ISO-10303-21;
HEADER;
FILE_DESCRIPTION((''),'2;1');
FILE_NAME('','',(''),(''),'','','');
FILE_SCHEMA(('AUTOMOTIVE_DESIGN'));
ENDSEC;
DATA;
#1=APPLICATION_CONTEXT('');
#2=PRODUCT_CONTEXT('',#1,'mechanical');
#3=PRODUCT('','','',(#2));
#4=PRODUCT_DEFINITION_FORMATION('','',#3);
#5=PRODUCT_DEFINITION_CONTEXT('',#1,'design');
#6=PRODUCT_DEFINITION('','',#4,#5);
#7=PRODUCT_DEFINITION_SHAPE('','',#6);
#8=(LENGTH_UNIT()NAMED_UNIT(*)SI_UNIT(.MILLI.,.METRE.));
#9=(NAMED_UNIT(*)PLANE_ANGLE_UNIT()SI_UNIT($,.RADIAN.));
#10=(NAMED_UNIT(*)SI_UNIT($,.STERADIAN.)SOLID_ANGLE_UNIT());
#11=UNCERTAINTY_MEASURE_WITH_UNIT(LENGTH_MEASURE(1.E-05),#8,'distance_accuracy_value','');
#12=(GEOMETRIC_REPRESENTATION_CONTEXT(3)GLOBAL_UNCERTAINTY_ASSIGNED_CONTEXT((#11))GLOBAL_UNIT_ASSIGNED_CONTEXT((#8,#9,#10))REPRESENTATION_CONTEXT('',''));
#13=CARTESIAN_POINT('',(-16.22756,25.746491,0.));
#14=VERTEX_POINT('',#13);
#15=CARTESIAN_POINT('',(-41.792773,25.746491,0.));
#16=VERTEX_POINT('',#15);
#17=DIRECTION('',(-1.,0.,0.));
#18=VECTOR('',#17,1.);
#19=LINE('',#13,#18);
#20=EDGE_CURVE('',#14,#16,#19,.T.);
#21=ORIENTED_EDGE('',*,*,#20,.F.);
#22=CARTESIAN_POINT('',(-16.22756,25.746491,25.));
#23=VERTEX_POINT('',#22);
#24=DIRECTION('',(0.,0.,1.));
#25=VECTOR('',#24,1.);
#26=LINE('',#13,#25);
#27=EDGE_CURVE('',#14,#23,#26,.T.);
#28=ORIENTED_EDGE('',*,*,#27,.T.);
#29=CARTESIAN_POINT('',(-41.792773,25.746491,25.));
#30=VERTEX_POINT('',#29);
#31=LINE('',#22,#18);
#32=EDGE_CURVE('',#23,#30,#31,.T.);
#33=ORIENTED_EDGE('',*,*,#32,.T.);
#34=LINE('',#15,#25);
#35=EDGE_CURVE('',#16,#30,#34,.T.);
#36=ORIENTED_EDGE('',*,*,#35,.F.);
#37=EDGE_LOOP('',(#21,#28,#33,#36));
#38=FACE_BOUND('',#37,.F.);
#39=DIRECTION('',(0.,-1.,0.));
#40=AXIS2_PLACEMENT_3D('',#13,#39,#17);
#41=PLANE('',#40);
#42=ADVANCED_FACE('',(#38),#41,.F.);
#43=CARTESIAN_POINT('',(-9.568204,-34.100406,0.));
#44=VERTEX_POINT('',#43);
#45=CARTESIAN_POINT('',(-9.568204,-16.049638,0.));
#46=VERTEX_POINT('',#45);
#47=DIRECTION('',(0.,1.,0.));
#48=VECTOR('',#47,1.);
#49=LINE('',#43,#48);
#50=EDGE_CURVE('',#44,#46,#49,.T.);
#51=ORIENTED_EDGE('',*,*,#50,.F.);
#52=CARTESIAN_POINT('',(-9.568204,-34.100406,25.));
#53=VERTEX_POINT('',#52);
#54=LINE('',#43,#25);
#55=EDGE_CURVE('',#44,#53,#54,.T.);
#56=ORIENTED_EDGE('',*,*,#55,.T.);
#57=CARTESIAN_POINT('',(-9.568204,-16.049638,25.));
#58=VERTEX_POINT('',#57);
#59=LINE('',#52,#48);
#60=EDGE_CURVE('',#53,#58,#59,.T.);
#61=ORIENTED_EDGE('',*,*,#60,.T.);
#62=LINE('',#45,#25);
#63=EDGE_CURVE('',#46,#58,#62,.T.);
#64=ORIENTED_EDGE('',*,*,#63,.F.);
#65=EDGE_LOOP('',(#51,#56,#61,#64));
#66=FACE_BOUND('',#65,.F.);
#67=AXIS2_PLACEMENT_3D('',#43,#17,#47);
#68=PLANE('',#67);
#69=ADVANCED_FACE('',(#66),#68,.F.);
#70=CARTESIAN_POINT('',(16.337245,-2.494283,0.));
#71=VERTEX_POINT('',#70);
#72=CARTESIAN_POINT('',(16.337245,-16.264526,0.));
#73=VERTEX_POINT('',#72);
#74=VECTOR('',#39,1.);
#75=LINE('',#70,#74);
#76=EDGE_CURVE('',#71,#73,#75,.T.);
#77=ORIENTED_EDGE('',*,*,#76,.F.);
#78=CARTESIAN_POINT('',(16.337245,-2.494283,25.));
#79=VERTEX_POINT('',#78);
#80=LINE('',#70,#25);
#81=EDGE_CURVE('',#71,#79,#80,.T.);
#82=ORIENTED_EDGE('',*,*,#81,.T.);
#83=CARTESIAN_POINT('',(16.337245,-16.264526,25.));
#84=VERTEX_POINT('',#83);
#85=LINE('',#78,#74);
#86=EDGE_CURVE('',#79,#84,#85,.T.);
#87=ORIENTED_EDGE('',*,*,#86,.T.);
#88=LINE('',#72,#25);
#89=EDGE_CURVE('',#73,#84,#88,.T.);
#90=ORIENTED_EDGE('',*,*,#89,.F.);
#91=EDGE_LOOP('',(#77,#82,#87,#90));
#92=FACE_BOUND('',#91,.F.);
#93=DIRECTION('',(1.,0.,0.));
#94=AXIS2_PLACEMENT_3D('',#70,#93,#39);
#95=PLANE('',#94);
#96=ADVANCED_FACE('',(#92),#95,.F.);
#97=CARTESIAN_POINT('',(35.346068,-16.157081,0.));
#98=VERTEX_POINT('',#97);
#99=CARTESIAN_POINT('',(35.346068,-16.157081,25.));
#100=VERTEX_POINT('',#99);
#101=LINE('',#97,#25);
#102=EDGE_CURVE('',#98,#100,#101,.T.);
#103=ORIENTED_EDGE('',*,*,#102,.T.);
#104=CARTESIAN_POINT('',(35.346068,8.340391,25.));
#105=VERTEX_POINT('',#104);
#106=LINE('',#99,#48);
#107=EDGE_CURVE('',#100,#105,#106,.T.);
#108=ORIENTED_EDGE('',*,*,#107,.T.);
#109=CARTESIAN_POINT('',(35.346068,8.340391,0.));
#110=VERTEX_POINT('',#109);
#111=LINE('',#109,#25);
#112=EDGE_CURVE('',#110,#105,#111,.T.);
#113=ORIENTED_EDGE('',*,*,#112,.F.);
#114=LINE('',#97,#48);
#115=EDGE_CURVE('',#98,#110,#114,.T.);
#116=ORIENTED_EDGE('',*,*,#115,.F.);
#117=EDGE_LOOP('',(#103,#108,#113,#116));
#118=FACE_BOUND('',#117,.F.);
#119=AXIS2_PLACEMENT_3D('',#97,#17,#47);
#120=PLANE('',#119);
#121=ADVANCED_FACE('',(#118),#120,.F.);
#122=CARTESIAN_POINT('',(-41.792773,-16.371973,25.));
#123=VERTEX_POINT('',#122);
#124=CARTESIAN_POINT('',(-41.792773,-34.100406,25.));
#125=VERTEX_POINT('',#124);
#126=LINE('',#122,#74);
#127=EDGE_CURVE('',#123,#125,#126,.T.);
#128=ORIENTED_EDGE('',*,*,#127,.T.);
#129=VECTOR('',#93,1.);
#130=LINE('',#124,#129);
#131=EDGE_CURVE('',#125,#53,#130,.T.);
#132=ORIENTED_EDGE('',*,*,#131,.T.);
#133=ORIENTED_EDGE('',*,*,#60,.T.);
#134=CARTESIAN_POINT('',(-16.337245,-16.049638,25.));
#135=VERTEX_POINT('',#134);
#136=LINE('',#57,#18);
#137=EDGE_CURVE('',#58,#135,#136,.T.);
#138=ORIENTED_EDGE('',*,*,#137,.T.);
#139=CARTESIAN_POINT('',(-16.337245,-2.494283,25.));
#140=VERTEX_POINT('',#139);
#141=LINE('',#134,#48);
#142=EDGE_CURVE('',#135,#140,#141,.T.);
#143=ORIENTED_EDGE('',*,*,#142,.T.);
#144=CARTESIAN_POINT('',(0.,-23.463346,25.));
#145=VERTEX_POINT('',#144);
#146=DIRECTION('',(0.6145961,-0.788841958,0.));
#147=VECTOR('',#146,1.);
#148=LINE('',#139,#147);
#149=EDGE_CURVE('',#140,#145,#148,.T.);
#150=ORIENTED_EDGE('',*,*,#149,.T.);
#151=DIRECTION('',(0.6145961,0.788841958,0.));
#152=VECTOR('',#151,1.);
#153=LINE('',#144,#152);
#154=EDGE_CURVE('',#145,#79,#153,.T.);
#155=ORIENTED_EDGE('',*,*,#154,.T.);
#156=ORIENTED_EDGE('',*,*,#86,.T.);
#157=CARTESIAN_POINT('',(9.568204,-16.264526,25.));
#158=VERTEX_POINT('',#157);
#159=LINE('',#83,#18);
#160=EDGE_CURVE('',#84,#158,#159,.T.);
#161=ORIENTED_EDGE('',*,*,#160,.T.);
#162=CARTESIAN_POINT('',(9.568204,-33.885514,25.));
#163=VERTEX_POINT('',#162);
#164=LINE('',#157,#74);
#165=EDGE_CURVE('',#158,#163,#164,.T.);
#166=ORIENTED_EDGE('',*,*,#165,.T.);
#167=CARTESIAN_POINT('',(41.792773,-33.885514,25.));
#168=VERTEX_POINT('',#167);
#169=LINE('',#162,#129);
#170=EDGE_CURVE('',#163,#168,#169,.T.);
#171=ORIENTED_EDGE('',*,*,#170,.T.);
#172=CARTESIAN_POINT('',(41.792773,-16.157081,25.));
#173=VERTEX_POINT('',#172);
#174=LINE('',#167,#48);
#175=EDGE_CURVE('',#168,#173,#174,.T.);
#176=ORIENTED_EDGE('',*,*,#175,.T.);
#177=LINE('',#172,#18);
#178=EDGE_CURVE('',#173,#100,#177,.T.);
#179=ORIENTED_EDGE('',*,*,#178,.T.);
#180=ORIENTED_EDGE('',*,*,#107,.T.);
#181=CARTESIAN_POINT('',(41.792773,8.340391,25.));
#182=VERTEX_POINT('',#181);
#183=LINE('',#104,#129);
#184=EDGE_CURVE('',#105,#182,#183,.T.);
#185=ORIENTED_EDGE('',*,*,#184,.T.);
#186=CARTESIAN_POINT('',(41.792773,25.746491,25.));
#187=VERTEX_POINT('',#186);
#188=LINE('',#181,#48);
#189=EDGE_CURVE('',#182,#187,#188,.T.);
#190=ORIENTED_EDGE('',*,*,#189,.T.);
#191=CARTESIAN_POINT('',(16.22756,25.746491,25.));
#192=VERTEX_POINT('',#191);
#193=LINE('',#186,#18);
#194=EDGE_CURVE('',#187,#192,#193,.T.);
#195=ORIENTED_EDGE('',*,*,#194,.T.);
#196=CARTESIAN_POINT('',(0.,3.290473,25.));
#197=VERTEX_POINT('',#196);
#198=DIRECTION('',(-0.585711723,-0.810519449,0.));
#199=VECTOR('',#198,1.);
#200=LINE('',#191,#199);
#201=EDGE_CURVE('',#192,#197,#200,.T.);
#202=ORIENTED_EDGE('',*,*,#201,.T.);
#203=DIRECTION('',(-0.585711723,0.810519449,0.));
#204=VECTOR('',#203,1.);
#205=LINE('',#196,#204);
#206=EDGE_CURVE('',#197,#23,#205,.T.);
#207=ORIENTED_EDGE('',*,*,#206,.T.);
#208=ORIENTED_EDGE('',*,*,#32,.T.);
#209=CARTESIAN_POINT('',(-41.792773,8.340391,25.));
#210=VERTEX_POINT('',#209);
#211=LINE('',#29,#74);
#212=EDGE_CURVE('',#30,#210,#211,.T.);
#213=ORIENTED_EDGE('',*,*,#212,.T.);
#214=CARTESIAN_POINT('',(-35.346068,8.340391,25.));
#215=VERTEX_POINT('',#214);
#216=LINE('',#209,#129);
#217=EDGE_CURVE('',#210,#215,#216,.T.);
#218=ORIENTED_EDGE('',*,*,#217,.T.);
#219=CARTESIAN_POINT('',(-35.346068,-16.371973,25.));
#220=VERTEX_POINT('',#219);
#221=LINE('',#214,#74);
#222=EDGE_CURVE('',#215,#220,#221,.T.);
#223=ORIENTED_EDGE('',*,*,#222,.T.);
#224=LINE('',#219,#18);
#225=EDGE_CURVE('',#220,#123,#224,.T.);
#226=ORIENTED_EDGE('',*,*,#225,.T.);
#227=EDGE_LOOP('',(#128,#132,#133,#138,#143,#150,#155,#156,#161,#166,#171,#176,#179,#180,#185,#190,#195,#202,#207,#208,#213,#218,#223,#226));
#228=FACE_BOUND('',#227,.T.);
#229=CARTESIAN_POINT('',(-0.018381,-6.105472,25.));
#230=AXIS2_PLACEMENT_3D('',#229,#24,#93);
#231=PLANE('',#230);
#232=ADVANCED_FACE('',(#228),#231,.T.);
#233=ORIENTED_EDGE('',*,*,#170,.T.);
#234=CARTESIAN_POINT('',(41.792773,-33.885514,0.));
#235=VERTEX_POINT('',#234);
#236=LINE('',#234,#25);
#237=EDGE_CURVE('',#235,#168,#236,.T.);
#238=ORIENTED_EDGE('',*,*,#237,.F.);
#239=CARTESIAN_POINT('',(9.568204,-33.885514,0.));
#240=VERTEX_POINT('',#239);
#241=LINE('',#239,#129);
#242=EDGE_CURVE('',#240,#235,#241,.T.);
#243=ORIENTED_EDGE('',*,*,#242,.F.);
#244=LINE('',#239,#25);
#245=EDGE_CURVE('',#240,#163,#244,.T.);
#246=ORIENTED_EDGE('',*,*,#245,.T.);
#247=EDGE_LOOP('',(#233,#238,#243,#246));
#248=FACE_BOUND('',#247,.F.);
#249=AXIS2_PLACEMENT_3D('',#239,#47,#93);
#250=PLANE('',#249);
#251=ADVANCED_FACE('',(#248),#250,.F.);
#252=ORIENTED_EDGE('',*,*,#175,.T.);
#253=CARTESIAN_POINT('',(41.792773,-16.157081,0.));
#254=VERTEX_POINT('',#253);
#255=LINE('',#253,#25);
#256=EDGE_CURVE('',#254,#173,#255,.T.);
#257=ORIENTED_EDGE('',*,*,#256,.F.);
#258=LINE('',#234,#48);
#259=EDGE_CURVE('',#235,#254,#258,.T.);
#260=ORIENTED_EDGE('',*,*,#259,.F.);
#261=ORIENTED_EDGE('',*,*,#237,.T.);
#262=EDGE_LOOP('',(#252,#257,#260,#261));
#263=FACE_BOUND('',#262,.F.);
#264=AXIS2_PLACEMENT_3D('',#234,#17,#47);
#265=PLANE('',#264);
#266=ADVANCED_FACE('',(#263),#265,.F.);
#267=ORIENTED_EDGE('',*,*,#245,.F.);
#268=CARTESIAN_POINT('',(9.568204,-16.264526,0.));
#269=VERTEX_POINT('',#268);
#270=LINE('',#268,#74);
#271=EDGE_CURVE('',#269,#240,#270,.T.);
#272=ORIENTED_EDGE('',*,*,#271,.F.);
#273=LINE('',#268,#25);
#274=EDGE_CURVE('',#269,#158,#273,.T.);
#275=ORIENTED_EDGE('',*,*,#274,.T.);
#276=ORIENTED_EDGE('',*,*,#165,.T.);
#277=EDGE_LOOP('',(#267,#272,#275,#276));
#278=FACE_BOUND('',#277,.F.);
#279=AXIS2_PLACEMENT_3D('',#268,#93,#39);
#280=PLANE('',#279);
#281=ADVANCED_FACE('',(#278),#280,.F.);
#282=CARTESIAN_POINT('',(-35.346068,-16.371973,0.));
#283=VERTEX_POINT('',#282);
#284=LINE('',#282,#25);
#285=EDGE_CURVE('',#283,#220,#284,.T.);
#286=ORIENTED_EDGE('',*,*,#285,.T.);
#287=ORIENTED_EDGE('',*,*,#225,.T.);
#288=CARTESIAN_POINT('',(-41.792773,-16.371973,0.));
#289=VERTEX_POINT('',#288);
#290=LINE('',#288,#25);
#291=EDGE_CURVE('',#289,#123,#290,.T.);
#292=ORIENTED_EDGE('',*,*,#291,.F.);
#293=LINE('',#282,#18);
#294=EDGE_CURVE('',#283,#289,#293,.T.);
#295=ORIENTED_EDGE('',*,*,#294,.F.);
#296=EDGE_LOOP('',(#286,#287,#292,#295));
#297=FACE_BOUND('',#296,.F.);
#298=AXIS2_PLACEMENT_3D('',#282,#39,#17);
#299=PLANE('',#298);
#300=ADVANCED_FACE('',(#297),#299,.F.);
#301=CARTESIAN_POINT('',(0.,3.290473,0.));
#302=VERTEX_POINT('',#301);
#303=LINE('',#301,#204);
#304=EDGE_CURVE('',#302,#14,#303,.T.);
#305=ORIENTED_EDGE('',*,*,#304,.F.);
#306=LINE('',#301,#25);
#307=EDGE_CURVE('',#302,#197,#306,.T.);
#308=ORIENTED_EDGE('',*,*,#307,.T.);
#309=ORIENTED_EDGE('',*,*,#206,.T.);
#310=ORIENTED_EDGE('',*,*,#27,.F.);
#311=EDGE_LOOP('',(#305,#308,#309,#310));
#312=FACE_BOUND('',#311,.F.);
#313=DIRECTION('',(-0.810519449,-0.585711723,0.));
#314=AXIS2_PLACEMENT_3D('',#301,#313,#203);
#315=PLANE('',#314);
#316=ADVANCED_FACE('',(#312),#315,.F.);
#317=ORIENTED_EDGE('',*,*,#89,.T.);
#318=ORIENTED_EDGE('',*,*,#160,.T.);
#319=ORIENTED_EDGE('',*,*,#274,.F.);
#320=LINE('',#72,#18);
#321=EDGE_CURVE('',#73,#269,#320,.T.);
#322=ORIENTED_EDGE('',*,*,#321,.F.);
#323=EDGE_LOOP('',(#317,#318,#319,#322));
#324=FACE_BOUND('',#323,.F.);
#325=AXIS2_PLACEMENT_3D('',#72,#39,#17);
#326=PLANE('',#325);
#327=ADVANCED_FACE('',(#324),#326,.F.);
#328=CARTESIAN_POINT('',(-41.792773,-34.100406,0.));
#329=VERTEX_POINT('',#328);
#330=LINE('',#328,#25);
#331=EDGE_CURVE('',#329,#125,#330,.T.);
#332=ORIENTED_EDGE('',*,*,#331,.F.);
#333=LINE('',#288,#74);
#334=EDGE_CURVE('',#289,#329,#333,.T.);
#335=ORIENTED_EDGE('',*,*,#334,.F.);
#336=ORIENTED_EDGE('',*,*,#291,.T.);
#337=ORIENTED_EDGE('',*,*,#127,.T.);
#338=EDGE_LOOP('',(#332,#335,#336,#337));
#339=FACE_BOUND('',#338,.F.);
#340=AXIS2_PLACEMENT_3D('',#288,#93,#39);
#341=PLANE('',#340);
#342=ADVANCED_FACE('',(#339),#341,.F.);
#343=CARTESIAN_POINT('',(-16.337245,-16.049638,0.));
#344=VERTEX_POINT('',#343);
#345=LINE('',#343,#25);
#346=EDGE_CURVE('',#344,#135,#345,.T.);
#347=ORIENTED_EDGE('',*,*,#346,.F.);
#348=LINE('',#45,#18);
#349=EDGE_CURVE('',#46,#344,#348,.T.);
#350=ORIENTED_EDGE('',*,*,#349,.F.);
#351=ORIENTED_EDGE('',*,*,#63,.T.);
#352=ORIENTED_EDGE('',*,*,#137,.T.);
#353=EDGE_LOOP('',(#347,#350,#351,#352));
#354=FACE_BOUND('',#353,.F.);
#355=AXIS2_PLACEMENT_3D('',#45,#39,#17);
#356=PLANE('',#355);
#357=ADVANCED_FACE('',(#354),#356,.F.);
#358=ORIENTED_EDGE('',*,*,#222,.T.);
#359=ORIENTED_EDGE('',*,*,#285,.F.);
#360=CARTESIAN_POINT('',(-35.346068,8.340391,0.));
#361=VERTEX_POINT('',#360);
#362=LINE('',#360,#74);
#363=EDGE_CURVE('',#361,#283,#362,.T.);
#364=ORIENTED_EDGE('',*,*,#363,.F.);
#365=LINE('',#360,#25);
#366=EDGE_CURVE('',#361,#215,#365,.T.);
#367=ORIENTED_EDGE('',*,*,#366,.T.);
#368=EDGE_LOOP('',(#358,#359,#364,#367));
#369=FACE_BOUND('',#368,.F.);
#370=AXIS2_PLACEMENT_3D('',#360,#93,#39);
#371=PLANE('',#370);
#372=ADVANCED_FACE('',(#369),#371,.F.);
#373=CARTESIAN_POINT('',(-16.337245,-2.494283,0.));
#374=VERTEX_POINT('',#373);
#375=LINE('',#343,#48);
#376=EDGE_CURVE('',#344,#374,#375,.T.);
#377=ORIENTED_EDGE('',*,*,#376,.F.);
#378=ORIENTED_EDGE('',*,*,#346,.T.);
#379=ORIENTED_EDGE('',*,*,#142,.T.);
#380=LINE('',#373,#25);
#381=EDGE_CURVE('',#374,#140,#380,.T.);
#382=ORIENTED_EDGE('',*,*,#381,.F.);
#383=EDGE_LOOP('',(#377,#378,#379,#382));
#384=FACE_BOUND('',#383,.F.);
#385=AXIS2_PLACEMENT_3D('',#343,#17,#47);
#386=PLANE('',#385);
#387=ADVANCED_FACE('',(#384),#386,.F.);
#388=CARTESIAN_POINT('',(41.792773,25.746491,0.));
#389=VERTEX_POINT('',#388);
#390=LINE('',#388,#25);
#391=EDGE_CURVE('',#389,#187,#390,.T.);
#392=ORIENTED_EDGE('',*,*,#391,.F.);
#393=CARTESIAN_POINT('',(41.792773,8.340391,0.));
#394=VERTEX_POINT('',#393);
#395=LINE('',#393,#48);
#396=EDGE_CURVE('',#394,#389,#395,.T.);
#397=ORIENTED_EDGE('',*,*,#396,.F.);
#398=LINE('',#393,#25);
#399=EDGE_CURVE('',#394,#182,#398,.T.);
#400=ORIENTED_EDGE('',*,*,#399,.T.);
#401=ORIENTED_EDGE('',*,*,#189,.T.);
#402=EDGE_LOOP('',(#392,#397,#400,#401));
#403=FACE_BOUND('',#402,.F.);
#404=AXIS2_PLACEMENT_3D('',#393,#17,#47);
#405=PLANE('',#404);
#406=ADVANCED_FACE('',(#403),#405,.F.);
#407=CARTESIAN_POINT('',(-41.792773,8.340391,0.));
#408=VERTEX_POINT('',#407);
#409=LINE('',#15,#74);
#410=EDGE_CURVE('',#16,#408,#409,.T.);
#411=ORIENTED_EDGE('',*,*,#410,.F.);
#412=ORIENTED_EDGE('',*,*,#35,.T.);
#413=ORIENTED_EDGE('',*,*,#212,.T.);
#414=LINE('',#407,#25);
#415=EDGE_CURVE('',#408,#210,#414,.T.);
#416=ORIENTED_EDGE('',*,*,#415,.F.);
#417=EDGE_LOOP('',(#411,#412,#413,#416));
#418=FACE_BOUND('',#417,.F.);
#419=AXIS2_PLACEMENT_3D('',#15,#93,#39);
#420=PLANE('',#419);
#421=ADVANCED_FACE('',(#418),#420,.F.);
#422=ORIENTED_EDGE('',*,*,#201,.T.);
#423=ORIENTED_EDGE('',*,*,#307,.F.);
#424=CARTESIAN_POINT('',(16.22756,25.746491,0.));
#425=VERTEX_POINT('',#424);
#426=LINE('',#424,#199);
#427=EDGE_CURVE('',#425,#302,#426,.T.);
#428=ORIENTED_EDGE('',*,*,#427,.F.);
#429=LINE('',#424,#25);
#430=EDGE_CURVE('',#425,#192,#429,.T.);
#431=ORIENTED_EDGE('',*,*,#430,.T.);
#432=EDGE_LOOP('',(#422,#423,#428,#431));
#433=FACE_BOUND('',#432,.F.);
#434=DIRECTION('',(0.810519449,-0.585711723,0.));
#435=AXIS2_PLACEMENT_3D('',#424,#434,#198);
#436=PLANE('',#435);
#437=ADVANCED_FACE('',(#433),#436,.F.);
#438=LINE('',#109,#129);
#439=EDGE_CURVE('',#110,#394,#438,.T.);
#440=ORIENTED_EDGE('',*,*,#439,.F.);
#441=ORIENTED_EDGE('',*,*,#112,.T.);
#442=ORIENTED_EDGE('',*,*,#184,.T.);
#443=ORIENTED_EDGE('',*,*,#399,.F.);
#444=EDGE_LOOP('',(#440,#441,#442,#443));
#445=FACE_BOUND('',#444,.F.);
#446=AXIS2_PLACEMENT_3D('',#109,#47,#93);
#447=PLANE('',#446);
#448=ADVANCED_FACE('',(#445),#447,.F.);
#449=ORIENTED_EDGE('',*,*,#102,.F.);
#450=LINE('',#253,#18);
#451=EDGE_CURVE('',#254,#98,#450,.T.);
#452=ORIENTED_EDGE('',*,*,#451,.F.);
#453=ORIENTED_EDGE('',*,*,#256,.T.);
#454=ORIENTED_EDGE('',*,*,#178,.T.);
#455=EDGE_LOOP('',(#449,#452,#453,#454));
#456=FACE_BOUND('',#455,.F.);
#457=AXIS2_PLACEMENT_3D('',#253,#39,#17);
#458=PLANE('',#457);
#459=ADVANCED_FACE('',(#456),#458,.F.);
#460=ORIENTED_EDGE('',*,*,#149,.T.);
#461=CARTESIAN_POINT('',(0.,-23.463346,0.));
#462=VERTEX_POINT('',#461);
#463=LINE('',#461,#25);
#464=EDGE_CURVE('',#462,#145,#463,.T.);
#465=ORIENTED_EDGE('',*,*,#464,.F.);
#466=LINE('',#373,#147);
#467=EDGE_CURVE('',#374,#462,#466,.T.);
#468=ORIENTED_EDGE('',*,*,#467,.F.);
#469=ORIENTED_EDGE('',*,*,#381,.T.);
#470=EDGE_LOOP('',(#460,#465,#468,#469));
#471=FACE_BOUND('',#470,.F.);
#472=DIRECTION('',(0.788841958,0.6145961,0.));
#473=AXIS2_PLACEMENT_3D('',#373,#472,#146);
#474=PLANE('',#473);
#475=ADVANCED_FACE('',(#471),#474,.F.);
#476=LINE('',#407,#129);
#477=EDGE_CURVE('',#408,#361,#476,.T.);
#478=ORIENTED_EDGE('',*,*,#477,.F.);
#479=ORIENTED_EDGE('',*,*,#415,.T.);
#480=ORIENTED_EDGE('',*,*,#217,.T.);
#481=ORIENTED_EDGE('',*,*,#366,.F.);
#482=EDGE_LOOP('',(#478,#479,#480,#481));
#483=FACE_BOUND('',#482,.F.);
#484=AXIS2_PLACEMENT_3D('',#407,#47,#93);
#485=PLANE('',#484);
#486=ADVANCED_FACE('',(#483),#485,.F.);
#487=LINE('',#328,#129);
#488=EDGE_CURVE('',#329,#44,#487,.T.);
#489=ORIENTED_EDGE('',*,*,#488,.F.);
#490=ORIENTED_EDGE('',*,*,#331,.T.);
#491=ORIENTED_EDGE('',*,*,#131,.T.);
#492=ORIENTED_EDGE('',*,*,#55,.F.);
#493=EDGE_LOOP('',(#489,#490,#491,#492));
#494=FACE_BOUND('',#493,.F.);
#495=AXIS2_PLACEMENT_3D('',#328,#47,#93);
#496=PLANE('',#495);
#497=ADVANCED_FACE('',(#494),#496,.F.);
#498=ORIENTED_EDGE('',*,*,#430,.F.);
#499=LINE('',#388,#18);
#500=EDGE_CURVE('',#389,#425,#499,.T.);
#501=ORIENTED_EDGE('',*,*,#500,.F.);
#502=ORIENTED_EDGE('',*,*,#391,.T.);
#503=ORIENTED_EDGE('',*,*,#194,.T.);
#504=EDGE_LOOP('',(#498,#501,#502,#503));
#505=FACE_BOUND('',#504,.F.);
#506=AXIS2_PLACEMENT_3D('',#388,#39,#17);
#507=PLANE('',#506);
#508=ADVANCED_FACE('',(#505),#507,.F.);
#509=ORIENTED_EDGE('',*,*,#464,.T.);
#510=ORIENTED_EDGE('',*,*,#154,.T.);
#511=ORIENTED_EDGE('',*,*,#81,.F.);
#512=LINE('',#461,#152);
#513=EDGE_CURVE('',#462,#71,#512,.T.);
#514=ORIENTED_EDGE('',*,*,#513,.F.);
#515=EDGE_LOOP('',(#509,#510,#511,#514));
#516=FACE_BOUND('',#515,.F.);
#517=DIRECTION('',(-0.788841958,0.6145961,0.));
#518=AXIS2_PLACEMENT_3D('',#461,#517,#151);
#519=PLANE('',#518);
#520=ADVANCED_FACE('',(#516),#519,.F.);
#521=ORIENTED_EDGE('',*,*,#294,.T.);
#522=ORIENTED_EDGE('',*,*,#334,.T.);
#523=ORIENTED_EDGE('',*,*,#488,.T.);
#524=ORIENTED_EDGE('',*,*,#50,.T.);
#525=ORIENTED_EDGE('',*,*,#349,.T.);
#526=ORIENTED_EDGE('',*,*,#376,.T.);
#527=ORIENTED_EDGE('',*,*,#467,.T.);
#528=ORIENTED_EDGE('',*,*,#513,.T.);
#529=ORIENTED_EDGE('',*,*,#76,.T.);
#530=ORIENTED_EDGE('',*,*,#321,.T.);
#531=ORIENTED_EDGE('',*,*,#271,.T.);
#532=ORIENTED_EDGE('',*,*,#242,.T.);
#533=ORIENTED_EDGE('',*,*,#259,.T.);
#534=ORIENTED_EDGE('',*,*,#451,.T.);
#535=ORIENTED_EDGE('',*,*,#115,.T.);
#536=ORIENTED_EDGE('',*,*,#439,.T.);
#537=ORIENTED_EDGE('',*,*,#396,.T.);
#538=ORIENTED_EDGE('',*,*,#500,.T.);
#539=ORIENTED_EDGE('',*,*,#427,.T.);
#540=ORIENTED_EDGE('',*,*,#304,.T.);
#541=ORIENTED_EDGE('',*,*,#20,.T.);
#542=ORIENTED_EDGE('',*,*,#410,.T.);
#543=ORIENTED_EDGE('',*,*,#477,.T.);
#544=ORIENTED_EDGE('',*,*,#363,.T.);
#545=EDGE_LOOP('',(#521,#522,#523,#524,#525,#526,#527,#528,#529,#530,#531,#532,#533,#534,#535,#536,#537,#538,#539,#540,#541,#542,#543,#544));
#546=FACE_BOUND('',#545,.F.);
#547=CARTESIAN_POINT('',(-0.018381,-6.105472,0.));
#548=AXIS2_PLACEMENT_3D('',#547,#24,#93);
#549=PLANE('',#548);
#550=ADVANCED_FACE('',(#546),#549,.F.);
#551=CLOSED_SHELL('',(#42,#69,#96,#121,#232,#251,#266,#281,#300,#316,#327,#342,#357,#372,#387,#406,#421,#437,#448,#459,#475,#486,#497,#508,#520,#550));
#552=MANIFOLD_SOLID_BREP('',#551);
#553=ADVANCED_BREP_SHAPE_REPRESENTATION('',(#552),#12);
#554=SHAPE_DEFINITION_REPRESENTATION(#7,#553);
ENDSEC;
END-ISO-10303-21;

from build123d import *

# Parameters (mm, degrees)
F1_DEPTH = 25


with BuildPart() as f1:
    # F0 (on Top) → F1 (new body)
    with BuildSketch(Plane.XY):
        Polygon((-16.22756, 25.746491), (-41.792773, 25.746491), (-41.792773, 8.340391), (-35.346068, 8.340391), (-35.346068, -16.371973), (-41.792773, -16.371973), (-41.792773, -34.100406), (-9.568204, -34.100406), (-9.568204, -16.049638), (-16.337245, -16.049638), (-16.337245, -2.494283), (0, -23.463346), (16.337245, -2.494283), (16.337245, -16.264526), (9.568204, -16.264526), (9.568204, -33.885514), (41.792773, -33.885514), (41.792773, -16.157081), (35.346068, -16.157081), (35.346068, 8.340391), (41.792773, 8.340391), (41.792773, 25.746491), (16.22756, 25.746491), (0, 3.290473), align=None)
    extrude(amount=F1_DEPTH)


solid = f1.part
